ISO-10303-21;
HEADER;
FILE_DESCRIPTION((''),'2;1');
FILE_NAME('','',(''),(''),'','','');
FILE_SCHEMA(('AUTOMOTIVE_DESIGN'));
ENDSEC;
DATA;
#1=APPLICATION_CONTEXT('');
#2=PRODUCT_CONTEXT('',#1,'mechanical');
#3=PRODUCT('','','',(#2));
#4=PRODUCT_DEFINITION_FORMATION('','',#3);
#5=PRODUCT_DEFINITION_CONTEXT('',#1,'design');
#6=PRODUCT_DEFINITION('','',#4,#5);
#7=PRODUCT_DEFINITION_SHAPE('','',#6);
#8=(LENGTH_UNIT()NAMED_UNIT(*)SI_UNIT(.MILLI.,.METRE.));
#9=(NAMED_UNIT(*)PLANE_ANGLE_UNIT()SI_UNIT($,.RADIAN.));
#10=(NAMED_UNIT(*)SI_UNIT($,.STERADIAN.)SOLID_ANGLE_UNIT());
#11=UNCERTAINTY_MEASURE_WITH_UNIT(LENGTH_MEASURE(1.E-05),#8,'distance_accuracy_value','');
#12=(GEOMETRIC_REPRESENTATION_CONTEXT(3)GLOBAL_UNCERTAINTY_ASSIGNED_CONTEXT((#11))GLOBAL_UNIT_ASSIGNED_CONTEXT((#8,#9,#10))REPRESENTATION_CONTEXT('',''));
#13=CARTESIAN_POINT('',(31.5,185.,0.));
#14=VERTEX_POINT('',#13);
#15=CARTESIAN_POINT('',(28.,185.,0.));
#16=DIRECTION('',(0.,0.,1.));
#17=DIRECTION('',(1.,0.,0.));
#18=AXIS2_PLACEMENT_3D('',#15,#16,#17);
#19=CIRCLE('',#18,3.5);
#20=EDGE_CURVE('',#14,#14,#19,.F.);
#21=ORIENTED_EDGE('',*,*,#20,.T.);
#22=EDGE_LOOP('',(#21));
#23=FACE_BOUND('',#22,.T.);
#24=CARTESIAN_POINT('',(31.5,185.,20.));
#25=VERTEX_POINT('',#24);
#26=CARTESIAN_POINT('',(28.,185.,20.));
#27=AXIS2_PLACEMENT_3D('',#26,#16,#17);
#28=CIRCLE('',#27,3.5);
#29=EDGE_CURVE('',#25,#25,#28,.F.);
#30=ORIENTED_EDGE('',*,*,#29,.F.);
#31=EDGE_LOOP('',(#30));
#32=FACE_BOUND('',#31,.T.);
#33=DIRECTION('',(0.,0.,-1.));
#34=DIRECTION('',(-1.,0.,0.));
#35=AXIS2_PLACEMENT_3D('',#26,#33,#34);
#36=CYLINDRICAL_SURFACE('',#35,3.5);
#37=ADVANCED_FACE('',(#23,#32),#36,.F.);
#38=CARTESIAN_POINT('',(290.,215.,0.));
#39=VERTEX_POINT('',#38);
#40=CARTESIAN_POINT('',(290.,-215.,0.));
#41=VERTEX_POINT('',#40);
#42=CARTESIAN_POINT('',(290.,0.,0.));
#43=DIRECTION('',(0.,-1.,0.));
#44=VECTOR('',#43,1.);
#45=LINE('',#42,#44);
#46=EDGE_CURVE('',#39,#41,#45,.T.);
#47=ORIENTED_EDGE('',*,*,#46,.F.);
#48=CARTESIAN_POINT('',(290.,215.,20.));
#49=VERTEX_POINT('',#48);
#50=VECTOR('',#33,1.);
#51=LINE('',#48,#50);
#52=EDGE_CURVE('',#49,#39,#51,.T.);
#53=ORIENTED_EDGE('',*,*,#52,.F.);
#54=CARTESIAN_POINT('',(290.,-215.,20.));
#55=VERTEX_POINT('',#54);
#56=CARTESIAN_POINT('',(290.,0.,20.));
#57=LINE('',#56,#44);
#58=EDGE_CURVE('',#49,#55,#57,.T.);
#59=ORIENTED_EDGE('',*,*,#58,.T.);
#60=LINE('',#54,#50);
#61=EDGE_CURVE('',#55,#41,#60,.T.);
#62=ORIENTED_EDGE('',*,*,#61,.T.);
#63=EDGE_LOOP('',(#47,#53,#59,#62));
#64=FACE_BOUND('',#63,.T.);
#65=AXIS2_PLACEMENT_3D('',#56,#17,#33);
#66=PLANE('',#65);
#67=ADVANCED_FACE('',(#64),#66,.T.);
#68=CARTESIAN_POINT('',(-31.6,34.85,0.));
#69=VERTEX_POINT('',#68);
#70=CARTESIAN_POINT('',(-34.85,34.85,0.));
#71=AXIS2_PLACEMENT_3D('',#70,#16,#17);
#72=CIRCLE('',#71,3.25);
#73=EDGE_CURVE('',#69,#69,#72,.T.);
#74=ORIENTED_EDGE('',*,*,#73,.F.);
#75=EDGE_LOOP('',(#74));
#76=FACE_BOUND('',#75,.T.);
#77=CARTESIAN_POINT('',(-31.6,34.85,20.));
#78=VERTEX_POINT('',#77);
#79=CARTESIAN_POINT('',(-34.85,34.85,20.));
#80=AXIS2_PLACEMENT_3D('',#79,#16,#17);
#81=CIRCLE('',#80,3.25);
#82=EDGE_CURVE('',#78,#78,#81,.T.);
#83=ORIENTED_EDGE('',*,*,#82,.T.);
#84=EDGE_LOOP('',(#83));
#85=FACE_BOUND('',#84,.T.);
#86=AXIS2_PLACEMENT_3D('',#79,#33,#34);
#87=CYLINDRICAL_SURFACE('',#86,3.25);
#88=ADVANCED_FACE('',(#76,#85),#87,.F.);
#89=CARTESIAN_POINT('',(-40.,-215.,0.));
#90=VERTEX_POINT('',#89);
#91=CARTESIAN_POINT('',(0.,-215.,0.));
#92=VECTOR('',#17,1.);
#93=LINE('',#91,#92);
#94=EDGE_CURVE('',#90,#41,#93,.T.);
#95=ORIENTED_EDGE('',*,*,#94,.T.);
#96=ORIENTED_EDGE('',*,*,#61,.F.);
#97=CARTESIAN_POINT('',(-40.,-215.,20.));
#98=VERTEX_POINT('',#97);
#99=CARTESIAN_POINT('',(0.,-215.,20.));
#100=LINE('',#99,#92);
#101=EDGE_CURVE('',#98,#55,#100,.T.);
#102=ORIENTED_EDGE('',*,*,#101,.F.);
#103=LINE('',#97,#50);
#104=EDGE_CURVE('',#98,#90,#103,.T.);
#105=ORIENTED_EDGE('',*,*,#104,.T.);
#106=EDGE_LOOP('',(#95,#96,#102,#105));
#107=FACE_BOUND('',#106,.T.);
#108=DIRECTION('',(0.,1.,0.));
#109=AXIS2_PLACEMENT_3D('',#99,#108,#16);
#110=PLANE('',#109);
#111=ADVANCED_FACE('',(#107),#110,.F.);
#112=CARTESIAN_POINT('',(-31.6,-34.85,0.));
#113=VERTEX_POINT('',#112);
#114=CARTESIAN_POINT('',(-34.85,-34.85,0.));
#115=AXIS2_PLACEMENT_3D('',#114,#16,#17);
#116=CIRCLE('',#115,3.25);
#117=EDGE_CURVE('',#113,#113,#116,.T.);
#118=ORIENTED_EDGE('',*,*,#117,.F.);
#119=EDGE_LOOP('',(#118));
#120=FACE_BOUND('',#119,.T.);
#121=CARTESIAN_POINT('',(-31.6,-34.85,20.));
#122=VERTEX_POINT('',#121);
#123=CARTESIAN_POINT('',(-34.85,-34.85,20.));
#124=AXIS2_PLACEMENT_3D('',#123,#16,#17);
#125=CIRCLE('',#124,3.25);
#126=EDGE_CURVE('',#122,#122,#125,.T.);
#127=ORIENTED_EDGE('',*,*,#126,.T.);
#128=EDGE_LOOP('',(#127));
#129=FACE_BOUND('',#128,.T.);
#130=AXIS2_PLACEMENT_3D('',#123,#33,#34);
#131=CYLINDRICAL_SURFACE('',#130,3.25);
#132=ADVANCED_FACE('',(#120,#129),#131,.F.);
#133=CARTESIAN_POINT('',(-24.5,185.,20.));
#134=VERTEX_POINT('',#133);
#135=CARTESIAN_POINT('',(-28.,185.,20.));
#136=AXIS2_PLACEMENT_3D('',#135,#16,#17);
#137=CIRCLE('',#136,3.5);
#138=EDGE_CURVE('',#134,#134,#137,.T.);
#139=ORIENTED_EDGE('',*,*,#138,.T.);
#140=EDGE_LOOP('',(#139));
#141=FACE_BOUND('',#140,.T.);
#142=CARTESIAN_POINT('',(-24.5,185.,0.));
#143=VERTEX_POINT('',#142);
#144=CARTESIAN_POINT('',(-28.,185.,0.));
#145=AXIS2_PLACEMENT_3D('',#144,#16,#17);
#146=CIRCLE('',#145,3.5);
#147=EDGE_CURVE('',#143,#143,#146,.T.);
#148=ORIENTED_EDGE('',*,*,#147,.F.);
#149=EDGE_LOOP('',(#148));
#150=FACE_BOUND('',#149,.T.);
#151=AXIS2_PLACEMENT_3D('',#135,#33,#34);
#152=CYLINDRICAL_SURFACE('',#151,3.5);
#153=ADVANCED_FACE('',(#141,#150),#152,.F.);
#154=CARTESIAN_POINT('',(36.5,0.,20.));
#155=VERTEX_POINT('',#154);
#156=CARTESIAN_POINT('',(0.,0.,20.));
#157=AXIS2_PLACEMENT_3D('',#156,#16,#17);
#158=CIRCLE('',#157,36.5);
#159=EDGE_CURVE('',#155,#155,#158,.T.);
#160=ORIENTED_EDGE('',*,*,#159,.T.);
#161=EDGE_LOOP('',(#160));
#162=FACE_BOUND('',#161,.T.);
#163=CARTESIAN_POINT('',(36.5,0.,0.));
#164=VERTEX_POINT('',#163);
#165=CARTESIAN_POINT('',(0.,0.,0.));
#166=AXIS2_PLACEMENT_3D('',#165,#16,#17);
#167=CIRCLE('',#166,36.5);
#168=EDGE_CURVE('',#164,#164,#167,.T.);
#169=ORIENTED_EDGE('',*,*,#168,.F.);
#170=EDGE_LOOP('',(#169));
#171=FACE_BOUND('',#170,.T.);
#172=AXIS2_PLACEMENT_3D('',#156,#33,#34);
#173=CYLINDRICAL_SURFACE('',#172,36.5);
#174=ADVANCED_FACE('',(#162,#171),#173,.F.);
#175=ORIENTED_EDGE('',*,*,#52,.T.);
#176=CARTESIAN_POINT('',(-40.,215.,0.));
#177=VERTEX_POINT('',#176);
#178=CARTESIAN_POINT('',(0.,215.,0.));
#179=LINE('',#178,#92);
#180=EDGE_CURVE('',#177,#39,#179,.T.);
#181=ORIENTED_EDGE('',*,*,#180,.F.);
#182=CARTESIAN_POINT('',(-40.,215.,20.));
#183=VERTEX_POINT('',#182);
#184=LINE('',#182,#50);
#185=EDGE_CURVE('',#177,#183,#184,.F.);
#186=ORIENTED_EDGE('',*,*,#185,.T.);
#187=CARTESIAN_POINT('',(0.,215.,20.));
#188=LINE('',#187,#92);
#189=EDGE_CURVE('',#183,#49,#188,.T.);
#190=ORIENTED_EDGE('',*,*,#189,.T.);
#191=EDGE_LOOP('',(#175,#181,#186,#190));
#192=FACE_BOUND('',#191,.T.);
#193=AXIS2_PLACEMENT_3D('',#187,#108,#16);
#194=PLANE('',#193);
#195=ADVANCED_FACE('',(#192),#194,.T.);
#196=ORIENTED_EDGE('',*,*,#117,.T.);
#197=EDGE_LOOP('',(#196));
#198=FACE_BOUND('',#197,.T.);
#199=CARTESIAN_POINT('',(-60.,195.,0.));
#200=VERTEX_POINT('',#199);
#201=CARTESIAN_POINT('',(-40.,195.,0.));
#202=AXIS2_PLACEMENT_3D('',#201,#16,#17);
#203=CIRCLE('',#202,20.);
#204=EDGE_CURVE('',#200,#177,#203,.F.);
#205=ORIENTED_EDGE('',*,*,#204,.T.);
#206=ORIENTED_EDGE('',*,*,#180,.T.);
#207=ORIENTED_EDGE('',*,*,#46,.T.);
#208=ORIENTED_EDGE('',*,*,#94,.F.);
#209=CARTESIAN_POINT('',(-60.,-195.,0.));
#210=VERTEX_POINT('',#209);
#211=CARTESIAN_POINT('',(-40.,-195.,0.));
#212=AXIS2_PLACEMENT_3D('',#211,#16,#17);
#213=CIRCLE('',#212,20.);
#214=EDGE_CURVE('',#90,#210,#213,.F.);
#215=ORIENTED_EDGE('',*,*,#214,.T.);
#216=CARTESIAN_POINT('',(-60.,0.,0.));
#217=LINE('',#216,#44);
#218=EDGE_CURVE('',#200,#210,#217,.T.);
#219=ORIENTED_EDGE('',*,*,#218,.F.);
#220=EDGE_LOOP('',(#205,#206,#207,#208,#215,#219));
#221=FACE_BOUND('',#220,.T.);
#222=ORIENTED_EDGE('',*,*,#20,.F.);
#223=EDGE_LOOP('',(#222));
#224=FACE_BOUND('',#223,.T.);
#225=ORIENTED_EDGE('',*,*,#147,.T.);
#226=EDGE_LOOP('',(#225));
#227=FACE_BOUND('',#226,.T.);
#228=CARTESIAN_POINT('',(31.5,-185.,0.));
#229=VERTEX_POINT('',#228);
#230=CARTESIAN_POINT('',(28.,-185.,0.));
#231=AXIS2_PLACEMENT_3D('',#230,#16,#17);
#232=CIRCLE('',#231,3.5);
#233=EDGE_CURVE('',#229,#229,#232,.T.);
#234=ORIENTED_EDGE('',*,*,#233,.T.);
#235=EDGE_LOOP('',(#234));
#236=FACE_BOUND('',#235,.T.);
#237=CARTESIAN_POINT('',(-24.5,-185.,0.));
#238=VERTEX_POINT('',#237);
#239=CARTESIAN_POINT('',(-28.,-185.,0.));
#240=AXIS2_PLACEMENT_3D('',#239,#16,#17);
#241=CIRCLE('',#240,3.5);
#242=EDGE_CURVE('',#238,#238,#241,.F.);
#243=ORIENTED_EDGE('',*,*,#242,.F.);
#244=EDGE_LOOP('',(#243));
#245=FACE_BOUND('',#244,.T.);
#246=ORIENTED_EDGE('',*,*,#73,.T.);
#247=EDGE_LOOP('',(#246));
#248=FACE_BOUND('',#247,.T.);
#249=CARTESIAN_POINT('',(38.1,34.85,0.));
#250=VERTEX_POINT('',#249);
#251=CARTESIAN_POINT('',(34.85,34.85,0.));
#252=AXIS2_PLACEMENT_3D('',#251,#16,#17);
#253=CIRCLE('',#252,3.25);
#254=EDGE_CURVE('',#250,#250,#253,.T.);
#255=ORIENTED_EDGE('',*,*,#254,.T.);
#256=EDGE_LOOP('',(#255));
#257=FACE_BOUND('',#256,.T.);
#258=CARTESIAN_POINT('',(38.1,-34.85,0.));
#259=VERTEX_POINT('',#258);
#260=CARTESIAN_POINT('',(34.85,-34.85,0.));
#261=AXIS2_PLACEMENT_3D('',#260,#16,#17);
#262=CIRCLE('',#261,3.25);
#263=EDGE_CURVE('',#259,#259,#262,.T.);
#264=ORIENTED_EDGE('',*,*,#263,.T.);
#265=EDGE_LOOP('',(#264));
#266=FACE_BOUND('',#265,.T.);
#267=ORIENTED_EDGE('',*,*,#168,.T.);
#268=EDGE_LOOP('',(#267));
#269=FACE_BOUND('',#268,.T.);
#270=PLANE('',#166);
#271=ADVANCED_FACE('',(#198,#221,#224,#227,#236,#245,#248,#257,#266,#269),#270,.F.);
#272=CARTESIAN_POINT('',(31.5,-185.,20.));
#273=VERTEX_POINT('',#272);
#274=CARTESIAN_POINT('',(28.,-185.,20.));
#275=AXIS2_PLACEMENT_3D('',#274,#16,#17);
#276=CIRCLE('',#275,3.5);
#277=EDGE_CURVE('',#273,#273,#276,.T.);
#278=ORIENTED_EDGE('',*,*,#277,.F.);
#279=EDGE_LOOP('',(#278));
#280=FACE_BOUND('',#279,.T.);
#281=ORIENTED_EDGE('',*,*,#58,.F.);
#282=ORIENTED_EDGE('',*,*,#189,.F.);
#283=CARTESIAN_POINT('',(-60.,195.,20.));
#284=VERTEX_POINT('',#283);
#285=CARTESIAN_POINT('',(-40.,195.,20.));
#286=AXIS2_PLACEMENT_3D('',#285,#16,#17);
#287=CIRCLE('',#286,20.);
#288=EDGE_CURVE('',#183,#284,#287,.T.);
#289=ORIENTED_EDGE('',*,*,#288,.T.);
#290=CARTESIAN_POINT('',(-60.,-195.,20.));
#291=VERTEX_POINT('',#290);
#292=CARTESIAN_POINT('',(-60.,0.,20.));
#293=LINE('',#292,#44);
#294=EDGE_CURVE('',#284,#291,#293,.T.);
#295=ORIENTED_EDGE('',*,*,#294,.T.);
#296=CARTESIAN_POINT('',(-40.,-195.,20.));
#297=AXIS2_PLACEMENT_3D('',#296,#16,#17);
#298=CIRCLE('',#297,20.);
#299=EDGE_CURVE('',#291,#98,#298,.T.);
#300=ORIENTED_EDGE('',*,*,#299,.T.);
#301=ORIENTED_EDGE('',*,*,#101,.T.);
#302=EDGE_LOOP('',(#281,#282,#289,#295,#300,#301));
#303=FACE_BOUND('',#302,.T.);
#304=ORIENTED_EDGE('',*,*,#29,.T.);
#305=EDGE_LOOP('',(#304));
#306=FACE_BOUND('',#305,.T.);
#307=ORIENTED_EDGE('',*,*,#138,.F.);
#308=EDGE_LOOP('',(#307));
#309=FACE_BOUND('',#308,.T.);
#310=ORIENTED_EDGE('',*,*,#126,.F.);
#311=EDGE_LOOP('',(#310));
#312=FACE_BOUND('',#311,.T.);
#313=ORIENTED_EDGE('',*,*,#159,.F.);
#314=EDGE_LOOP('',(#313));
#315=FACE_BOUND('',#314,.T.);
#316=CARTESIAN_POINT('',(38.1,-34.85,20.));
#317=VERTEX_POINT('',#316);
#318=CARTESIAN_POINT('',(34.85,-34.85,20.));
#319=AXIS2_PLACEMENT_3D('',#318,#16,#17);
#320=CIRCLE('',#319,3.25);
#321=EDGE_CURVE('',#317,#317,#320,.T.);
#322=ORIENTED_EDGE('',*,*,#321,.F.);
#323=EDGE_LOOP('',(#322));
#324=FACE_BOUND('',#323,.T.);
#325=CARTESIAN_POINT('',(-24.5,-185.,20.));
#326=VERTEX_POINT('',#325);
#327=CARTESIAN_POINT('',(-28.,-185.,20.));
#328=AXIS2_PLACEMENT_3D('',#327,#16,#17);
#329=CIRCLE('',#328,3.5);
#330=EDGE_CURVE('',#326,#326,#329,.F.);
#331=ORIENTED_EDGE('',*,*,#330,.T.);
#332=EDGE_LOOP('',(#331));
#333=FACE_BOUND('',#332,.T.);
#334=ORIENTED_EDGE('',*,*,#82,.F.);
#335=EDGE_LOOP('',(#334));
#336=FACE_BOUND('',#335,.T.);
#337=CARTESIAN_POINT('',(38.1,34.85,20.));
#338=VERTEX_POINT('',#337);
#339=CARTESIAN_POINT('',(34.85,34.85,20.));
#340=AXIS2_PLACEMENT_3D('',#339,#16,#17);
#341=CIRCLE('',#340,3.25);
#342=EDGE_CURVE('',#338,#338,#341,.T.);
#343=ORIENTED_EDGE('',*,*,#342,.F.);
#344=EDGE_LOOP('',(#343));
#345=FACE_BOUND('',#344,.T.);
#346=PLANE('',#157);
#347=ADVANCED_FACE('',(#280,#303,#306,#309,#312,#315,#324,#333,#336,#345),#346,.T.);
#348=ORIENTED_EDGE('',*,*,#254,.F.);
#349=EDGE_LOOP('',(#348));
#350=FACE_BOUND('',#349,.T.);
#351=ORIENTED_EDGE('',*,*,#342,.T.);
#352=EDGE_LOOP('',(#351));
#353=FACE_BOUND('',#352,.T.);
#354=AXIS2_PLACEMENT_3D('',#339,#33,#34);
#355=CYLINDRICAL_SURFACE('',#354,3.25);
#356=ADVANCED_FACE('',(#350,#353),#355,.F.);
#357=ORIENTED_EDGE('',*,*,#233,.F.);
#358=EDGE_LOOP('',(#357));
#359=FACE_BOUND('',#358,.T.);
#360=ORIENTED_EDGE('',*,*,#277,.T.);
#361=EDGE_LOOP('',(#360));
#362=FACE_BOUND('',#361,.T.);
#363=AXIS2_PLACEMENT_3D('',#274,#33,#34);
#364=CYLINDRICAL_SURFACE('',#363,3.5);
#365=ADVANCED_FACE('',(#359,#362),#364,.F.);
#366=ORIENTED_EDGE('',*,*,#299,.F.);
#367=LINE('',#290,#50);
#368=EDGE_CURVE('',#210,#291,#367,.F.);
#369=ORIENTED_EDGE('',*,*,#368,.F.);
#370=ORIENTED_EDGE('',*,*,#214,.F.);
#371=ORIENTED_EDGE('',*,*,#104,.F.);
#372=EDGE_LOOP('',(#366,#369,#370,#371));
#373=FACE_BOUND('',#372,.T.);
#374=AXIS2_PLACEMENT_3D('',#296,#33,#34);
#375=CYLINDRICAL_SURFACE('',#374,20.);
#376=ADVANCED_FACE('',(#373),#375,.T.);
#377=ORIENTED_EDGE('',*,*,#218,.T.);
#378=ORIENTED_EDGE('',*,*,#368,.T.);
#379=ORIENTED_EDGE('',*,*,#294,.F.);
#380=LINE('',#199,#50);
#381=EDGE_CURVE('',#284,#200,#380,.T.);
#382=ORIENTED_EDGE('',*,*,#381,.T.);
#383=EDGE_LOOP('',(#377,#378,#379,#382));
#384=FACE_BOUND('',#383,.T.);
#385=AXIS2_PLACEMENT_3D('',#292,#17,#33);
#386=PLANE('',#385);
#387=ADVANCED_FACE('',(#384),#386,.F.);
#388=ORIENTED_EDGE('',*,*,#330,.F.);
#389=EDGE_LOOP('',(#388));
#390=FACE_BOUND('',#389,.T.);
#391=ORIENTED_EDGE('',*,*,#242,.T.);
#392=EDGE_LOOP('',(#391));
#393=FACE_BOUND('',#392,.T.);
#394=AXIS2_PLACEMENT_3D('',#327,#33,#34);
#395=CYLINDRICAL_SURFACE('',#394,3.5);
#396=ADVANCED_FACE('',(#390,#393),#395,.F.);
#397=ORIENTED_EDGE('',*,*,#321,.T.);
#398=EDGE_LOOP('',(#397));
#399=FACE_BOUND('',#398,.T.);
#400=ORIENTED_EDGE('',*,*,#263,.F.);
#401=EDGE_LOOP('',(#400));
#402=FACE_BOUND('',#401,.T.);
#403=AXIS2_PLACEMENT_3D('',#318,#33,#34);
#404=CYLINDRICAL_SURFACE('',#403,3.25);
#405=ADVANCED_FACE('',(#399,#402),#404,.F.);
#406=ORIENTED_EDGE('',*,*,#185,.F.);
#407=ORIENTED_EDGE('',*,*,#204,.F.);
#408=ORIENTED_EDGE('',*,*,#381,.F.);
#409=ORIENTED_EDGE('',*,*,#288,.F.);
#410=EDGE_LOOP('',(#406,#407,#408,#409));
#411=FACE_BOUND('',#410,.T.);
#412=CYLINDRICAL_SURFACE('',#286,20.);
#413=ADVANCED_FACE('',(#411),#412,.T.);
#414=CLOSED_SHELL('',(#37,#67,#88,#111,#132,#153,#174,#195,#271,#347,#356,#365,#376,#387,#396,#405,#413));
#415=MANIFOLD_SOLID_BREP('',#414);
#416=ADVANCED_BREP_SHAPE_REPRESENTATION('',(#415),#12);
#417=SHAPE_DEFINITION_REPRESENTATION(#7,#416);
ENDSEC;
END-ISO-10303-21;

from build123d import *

# Parameters (mm, degrees)
SKETCH_1_W      = 350
SKETCH_1_H      = 430
SKETCH_1_R      = 3.5
SKETCH_1_R_2    = 3.25
SKETCH_1_R_3    = 36.5
EXTRUDE_1_DEPTH = 20
FILLET_2_R      = 20


with BuildPart() as part:
    # Эскиз1 → Бобышка-Вытянуть1 (new body)
    with BuildSketch(Plane.XY):
        with Locations((115, 0)):
            Rectangle(SKETCH_1_W, SKETCH_1_H)
        with Locations((-28, -185)):
            Circle(SKETCH_1_R, mode=Mode.SUBTRACT)
        with Locations((28, -185)):
            Circle(SKETCH_1_R, mode=Mode.SUBTRACT)
        with Locations((-34.85, -34.85)):
            Circle(SKETCH_1_R_2, mode=Mode.SUBTRACT)
        with Locations((34.85, -34.85)):
            Circle(SKETCH_1_R_2, mode=Mode.SUBTRACT)
        with Locations((-34.85, 34.85)):
            Circle(SKETCH_1_R_2, mode=Mode.SUBTRACT)
        Circle(SKETCH_1_R_3, mode=Mode.SUBTRACT)
        with Locations((34.85, 34.85)):
            Circle(SKETCH_1_R_2, mode=Mode.SUBTRACT)
        with Locations((-28, 185)):
            Circle(SKETCH_1_R, mode=Mode.SUBTRACT)
        with Locations((28, 185)):
            Circle(SKETCH_1_R, mode=Mode.SUBTRACT)
    extrude(amount=EXTRUDE_1_DEPTH)

    # Скругление2
    fillet_2_edges = [part.edges().sort_by_distance(p)[0] for p in [
        (-60, -215, 10),
        (-60, 215, 10),
    ]]
    fillet(fillet_2_edges, radius=FILLET_2_R)


solid = part.part
